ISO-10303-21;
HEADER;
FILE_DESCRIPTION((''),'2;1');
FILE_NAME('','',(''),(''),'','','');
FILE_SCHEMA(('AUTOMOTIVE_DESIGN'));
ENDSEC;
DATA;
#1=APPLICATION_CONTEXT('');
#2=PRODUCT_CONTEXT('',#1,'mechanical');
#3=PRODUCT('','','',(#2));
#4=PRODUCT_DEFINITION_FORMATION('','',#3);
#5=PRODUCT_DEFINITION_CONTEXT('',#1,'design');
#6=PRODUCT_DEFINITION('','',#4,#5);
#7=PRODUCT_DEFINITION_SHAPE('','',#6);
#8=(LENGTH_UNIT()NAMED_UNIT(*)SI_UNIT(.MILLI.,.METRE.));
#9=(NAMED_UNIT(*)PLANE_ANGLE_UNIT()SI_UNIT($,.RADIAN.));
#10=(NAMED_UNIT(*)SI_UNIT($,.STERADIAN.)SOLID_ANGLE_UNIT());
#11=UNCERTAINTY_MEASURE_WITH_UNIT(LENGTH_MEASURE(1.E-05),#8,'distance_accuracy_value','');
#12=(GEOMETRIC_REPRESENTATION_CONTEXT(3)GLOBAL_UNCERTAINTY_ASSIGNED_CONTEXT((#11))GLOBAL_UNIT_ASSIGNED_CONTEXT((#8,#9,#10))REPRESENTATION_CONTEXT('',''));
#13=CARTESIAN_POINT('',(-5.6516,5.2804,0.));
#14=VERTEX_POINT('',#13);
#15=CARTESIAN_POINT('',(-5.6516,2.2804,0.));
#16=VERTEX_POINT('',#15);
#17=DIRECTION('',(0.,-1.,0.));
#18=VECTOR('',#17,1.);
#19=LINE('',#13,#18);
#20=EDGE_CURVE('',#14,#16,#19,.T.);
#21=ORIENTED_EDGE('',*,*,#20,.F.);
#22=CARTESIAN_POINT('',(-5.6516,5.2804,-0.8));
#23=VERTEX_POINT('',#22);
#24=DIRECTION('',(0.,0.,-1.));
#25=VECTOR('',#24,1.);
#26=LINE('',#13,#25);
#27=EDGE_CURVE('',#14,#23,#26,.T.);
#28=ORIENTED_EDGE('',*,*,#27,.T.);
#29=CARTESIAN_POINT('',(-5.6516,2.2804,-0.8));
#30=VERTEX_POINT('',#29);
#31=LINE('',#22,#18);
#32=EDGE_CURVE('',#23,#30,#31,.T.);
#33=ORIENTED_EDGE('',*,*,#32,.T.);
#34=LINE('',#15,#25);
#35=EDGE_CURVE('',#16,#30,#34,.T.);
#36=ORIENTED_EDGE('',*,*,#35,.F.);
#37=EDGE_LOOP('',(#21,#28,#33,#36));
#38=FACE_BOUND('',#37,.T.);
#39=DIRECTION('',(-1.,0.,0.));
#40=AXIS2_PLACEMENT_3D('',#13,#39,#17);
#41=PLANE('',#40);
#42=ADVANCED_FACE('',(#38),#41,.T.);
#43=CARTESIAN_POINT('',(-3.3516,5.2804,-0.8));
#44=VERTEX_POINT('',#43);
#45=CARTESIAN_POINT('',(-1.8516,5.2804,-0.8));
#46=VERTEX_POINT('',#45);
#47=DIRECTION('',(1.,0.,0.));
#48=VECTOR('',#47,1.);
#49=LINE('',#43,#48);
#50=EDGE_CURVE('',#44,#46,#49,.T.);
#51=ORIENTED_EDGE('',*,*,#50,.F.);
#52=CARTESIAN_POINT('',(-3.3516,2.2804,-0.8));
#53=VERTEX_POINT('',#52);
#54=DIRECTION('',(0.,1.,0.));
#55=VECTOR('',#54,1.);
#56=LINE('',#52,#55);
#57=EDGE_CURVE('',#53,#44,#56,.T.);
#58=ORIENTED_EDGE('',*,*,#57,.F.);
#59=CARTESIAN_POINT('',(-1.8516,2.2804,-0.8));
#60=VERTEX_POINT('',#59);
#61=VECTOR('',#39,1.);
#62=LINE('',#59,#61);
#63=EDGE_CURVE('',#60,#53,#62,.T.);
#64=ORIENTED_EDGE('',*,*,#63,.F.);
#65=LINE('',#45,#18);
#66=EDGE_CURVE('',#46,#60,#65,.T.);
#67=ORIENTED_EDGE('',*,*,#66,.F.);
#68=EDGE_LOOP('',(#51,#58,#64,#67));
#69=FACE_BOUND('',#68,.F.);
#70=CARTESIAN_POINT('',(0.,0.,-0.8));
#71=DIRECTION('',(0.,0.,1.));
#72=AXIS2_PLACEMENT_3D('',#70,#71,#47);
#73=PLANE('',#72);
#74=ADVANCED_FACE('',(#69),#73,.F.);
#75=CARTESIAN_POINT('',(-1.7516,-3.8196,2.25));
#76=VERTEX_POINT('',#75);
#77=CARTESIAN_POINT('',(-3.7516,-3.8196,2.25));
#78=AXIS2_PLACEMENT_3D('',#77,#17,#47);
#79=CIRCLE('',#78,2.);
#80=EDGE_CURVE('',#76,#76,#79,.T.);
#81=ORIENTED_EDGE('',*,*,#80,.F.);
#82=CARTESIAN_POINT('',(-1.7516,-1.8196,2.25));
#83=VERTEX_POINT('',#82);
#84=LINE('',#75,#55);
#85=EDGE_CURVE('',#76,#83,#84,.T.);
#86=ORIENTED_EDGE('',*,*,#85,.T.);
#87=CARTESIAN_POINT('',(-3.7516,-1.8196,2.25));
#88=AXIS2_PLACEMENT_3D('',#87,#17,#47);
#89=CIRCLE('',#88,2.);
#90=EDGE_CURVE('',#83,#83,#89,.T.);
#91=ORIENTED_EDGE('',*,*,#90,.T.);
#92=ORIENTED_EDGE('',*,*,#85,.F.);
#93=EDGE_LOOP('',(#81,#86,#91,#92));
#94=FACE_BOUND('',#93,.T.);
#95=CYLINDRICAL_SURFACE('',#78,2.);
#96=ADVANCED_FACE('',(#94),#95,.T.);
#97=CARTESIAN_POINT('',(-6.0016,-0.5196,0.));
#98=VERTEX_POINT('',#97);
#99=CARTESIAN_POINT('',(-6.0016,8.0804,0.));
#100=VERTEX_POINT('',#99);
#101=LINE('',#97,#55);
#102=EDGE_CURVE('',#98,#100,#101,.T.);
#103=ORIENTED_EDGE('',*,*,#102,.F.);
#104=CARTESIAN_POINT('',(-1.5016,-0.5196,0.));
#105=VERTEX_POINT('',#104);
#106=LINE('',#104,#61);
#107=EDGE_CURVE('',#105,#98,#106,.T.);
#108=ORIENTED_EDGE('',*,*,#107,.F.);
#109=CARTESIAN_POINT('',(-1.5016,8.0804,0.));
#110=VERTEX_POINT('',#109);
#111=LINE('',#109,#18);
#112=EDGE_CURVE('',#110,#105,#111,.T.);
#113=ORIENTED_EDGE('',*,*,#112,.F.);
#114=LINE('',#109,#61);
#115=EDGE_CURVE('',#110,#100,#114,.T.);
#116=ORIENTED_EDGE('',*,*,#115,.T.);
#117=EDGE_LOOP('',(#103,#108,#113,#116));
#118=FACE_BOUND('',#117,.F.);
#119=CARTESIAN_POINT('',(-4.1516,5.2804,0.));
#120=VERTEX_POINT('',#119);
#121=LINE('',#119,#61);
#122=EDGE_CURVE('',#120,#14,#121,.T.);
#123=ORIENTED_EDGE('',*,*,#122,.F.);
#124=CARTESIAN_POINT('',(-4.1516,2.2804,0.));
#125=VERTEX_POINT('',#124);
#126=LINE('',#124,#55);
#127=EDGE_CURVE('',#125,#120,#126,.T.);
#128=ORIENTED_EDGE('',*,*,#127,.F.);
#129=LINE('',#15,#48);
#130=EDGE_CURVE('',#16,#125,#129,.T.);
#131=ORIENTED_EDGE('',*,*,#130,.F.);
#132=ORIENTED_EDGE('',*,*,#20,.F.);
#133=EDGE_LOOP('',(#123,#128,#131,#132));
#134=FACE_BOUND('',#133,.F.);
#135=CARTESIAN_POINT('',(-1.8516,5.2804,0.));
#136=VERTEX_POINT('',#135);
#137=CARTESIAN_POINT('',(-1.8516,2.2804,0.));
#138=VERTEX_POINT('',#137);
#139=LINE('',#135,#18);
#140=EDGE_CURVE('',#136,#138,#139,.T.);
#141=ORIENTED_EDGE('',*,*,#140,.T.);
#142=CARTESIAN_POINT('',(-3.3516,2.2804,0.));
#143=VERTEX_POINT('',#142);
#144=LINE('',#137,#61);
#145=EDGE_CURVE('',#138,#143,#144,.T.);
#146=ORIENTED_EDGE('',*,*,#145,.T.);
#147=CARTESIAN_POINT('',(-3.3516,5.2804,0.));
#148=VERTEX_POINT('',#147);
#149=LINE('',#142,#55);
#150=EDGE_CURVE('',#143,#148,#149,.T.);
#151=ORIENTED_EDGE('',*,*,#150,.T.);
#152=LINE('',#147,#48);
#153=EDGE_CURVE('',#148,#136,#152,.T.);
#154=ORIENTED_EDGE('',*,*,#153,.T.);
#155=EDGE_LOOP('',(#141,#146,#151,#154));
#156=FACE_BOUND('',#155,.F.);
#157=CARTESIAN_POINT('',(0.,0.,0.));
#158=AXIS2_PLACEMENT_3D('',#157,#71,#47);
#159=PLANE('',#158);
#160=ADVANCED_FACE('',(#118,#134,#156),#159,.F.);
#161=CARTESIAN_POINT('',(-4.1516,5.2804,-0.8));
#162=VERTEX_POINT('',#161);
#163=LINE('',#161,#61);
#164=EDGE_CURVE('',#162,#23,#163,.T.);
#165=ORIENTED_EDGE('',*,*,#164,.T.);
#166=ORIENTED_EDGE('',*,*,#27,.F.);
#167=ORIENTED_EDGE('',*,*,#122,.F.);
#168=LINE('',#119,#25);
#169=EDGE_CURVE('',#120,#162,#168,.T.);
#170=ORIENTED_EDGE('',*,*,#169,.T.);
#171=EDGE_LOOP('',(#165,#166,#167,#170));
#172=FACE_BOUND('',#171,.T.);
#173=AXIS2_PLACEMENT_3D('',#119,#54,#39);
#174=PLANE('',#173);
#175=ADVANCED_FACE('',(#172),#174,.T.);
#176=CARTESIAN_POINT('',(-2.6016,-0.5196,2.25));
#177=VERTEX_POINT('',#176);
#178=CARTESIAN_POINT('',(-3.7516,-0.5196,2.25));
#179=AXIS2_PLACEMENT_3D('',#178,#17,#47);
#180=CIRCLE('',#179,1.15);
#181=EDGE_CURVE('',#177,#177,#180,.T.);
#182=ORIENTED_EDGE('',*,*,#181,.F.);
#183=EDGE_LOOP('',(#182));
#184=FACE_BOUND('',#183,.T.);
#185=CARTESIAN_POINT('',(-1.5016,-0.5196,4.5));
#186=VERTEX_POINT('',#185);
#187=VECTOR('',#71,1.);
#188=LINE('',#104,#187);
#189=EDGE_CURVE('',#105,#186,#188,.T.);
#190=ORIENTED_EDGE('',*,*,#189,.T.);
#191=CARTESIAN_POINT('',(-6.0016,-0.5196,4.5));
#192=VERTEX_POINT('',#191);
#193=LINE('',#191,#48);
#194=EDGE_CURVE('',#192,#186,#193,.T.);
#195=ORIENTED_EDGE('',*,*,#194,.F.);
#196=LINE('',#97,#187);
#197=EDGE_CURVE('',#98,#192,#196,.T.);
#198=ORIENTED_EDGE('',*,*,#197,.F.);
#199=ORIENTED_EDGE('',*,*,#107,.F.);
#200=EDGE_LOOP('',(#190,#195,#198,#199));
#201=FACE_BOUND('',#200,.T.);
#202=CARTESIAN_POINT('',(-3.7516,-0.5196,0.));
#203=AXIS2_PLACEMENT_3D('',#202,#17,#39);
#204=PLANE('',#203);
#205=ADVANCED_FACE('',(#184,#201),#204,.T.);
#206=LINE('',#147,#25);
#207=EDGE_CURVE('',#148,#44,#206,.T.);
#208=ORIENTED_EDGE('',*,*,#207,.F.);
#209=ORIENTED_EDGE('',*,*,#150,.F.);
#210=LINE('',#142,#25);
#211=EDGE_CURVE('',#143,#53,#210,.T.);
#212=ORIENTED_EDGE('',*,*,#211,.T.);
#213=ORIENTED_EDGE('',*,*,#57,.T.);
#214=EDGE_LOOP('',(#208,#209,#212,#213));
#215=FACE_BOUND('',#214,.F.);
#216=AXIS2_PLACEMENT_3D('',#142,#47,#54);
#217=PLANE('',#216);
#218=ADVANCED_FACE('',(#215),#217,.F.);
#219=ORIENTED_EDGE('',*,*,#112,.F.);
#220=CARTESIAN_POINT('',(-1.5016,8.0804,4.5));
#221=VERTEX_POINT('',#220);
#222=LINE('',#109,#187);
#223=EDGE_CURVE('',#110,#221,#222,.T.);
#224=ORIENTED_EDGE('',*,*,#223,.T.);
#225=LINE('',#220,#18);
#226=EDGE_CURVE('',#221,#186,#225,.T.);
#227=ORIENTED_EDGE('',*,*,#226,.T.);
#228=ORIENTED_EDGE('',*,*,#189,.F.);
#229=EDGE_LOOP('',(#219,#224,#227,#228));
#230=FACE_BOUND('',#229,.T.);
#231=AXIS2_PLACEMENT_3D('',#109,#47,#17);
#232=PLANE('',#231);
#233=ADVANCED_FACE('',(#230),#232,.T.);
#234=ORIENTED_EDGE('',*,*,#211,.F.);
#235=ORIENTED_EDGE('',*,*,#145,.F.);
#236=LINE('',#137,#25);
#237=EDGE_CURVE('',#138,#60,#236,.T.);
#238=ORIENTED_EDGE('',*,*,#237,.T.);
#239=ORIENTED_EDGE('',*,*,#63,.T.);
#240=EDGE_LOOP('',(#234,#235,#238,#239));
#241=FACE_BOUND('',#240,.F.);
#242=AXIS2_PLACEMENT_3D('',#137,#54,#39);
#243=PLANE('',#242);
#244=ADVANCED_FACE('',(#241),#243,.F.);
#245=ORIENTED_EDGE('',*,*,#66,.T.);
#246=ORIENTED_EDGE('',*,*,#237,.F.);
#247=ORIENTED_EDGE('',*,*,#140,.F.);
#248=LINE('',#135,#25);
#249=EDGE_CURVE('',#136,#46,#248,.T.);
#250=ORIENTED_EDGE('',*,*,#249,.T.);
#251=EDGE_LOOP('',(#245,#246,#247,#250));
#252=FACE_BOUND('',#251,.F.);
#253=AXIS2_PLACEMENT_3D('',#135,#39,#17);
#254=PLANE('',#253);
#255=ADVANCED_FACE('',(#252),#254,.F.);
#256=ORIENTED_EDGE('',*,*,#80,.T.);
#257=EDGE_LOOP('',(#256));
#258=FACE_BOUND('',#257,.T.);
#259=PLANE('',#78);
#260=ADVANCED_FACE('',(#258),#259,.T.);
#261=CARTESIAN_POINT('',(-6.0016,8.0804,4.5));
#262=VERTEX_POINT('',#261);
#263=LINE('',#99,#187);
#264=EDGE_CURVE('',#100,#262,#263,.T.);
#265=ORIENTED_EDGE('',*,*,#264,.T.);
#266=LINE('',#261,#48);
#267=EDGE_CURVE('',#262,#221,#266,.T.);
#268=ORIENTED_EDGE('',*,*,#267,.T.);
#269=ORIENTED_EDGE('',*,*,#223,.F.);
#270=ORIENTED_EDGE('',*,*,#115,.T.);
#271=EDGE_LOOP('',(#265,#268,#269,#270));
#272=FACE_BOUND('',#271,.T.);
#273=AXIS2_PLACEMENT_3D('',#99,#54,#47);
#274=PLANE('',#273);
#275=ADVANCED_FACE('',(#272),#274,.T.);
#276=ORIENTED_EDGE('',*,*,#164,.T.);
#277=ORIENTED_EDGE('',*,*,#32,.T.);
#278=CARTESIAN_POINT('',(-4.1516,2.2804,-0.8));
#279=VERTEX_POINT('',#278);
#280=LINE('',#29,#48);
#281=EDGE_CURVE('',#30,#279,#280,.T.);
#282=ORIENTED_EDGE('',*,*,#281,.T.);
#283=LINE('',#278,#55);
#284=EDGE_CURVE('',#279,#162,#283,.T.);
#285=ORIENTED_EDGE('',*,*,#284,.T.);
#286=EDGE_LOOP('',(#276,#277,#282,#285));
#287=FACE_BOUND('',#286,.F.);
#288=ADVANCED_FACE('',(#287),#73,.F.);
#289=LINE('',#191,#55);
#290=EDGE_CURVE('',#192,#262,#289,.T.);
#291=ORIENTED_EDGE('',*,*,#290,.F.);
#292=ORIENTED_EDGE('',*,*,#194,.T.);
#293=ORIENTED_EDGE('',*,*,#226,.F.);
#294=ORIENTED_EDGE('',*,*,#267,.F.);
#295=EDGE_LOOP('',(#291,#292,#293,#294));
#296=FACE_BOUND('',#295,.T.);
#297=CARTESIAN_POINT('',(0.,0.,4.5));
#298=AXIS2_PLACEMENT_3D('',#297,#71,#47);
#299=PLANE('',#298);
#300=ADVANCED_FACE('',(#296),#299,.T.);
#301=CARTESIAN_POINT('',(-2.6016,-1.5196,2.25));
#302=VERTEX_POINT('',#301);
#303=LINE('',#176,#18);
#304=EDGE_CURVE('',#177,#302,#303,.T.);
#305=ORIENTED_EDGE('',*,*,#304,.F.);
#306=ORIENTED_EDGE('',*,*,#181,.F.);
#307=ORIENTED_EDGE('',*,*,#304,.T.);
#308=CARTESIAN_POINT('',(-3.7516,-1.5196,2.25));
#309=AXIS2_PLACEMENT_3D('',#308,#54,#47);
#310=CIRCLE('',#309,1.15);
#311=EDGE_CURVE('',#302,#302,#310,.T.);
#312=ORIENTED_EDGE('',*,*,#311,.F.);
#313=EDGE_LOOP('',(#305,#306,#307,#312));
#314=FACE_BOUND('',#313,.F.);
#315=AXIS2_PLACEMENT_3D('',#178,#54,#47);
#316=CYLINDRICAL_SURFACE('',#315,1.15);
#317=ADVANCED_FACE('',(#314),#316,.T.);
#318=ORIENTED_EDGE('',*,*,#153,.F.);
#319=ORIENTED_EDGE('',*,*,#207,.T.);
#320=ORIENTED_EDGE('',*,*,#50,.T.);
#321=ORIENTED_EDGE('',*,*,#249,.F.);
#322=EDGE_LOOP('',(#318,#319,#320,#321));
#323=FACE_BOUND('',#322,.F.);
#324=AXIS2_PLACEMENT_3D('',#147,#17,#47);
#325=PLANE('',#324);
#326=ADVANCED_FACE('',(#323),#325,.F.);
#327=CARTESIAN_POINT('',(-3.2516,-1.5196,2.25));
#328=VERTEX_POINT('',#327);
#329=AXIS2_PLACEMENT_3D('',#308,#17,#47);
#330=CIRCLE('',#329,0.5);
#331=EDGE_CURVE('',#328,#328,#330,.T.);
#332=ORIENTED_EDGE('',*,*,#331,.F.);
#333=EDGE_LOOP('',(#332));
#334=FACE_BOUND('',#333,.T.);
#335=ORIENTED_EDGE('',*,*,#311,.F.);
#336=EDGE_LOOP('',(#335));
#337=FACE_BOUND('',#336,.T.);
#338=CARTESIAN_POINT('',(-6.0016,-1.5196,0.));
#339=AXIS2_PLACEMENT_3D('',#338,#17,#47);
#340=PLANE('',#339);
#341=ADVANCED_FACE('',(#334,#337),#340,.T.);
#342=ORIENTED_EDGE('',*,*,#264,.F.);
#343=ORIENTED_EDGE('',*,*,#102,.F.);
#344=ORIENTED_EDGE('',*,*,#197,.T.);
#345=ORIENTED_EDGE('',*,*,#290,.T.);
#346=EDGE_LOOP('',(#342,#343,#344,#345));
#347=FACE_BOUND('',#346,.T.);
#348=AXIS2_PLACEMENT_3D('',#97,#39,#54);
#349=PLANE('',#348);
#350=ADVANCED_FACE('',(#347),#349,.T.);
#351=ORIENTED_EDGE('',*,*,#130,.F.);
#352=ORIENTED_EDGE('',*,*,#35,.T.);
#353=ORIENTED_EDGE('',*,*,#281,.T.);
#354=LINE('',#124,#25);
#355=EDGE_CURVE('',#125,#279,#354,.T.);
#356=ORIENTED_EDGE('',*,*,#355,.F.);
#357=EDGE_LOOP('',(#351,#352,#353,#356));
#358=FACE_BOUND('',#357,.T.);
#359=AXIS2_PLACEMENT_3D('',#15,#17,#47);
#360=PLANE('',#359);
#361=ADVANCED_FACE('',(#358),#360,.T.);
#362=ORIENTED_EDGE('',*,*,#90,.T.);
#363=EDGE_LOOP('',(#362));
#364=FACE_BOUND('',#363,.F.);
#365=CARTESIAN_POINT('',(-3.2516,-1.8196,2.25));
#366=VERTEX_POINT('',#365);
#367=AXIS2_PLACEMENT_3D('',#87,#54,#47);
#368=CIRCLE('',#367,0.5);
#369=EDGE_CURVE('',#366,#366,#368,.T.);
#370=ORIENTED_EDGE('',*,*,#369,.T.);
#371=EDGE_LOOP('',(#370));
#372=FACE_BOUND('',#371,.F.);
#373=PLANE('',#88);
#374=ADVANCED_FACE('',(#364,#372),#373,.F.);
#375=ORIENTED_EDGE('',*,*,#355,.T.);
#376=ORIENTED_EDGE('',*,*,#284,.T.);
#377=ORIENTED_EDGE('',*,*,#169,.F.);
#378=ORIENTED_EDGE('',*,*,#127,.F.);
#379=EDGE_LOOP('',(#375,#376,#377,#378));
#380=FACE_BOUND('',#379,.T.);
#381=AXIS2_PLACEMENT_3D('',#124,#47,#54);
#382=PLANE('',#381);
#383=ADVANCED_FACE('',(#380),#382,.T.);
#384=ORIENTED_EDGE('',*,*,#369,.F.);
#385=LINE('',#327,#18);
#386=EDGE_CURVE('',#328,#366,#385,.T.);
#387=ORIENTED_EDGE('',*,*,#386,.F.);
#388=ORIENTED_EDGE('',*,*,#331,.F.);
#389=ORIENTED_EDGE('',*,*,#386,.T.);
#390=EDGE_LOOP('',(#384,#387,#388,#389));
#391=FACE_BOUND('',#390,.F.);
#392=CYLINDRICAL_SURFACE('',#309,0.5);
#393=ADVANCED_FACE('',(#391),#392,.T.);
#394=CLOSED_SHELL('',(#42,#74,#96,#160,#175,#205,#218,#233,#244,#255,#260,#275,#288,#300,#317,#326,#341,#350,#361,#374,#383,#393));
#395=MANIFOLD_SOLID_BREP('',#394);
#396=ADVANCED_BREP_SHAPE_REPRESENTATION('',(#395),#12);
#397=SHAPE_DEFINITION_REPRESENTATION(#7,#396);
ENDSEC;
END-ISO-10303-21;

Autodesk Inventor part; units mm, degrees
ref_plane "YZ Plane" through (0, 0, 0) normal (1, 0, 0) x (0, 1, 0)
ref_plane "XZ Plane" through (0, 0, 0) normal (0, 1, 0) x (-1, 0, 0)
ref_plane "XY Plane" through (0, 0, 0) normal (0, 0, 1) x (1, 0, 0)
sketch "草图1" plane through (0, 0, 0) normal (0, 0, 1) x (1, 0, 0)
  line L0 (-6.0016, 8.0804) -> (-1.5016, 8.0804)
  line L1 (-1.5016, 8.0804) -> (-1.5016, -0.5196)
  line L2 (-1.5016, -0.5196) -> (-6.0016, -0.5196)
  line L3 (-6.0016, -0.5196) -> (-6.0016, 8.0804)
  line L4 (-3.7516, 8.0804) -> (-3.7516, -0.5196)
  line L5 (-3.3516, 5.2804) -> (-1.8516, 5.2804)
  line L6 (-1.8516, 5.2804) -> (-1.8516, 2.2804)
  line L7 (-1.8516, 2.2804) -> (-3.3516, 2.2804)
  line L8 (-3.3516, 2.2804) -> (-3.3516, 5.2804)
  line L9 (-4.1516, 5.2804) -> (-5.6516, 5.2804)
  line L10 (-5.6516, 5.2804) -> (-5.6516, 2.2804)
  line L11 (-5.6516, 2.2804) -> (-4.1516, 2.2804)
  line L12 (-4.1516, 2.2804) -> (-4.1516, 5.2804)
  point P0 (0, 0)
  dimension "d0" = 4.5
  dimension "d1" = 8.6
  dimension "d5" = 1.5
  dimension "d6" = 3
  dimension "d7" = 2.8
extrude "拉伸1" add sketch "草图1" along normal blind 4.5 contours L0 L4 L2 L3 | L0 L1 L2 L4 | L5 L6 L7 L8 | L12 L11 L10 L9
extrude "拉伸2" add sketch "草图1" against normal blind 0.8 contours L5 L6 L7 L8 | L12 L11 L10 L9
sketch "草图2" plane through (-6.0016, -0.5196, 0) normal (0, -1, 0) x (1, 0, 0)
  line L0 (0, 4.5) -> (4.5, 4.5) projected
  line L1 (2.25, 4.5) -> (2.25, 0)
  line L2 (4.5, 0) -> (0, 0) projected
  line L3 (4.5, 0) -> (4.5, 4.5) projected
  line L4 (4.5, 2.25) -> (0, 2.25)
  line L5 (0, 0) -> (0, 4.5) projected
  circle A0 centre (2.25, 2.25) radius 1.15
  point P0 (6.0016, 0)
  dimension "d10" = 2.3
extrude "拉伸3" add sketch "草图2" along normal blind 1 contours A0 L4 L1 | L1 L4 A0 | L4 L1 A0 | L4 A0 L1
sketch "草图3" plane through (-3.7516, -1.5196, 2.25) normal (0, -1, 0) x (1, 0, 0)
  circle A0 centre (0, 0) radius 0.5
  point P0 (3.7516, -2.25)
  dimension "d13" = 1
extrude "拉伸4" add sketch "草图3" along normal blind 2.3
sketch "草图4" plane through (-3.7516, -3.8196, 2.25) normal (0, -1, 0) x (1, 0, 0)
  circle A0 centre (0, 0) radius 2
  point P0 (3.7516, -2.25)
  dimension "d16" = 4
extrude "拉伸5" add sketch "草图4" against normal blind 2
properties part number "mortor"
